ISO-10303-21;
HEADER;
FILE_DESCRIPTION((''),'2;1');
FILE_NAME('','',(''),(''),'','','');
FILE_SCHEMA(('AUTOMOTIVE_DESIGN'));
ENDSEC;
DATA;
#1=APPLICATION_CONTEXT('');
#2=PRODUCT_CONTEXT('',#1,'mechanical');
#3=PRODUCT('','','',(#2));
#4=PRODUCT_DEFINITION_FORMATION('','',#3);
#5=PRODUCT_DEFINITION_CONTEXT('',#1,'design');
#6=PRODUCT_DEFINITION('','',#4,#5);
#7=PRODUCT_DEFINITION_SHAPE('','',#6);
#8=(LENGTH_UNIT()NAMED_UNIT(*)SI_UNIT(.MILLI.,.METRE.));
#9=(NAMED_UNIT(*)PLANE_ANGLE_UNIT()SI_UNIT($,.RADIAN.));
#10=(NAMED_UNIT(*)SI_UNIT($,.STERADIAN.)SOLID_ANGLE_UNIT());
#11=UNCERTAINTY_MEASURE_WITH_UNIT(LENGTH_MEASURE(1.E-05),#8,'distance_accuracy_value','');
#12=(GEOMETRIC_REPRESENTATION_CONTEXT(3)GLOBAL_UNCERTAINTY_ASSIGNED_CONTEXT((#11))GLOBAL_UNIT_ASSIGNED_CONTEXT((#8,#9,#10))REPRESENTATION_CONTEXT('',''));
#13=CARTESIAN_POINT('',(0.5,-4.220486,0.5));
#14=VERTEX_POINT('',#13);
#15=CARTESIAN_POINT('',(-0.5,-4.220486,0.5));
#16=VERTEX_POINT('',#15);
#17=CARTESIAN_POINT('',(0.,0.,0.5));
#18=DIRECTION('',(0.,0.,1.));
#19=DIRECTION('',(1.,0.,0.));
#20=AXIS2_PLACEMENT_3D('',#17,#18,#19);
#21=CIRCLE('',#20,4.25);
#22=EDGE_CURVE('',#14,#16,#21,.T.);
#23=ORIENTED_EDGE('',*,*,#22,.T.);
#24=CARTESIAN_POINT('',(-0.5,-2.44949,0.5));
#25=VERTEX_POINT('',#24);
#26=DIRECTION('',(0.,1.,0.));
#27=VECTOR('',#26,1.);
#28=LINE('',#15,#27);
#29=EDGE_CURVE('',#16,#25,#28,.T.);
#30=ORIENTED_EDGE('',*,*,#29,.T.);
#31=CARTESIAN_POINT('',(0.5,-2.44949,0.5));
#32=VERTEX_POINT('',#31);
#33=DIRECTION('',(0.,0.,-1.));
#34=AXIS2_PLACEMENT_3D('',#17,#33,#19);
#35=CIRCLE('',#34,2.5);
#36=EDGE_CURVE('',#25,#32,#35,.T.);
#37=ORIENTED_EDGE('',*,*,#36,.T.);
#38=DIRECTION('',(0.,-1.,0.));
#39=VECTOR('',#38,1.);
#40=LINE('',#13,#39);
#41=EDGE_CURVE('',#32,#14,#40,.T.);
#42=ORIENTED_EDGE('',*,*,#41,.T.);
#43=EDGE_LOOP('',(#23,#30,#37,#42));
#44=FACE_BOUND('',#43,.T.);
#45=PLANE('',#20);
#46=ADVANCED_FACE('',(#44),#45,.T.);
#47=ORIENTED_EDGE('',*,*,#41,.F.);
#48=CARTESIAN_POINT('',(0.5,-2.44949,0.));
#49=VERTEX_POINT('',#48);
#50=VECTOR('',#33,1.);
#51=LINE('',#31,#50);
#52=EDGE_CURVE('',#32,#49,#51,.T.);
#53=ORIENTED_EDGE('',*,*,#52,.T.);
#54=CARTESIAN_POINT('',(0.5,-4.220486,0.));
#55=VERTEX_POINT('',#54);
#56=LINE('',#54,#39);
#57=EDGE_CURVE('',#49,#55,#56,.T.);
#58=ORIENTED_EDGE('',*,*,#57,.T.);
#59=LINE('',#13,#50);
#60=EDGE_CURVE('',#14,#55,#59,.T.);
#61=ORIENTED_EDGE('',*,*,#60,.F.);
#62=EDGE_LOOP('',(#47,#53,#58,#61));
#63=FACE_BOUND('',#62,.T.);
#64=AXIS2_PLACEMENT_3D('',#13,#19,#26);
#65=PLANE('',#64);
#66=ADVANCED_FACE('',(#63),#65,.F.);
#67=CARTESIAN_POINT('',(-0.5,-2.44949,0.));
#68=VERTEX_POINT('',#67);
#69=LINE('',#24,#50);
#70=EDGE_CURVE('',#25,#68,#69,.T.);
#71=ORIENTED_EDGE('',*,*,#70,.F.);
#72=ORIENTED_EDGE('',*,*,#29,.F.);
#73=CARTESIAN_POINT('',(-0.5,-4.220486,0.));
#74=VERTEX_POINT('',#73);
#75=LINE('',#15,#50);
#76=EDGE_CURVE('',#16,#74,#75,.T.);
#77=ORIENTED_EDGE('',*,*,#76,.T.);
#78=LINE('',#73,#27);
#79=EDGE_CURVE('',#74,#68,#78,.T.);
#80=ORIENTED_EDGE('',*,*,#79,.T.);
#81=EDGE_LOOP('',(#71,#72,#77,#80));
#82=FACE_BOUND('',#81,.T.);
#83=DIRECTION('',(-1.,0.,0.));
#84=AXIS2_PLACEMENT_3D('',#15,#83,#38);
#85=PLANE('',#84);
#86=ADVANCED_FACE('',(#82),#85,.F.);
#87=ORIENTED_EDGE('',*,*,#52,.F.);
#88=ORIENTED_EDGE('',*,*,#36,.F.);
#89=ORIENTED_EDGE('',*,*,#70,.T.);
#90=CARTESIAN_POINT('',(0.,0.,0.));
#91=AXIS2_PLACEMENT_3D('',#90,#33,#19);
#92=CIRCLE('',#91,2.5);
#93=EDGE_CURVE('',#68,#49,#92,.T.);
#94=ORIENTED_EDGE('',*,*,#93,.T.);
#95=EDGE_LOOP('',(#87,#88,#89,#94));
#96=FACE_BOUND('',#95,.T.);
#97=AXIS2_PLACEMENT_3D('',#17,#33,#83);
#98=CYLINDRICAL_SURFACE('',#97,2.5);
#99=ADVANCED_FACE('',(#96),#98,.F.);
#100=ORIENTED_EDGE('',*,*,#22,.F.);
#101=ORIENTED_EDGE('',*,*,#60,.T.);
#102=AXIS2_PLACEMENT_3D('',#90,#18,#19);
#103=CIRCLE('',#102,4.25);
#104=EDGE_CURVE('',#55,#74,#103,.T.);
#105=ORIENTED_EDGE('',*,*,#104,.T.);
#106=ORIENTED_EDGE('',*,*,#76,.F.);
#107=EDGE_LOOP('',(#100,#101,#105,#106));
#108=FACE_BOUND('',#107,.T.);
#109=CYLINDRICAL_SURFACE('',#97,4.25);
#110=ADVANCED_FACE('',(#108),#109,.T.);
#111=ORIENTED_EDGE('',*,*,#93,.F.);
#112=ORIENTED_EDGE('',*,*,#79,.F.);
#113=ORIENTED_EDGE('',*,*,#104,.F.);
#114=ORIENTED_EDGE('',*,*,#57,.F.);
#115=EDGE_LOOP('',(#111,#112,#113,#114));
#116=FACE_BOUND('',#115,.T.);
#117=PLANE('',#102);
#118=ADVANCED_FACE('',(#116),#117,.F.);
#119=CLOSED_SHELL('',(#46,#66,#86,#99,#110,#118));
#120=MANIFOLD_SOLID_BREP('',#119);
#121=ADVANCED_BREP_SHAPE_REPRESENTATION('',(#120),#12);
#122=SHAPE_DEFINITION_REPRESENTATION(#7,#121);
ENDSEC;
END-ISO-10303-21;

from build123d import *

# Parameters (mm, degrees)
BOSS_EXTRU_1_DEPTH = 0.5


with BuildPart() as part:
    # Esquisse2 → Boss.-Extru.1 (new body)
    with BuildSketch(Plane.XY):
        with BuildLine():
            Line((0.5, -4.220485754), (0.5, -2.449489743))
            ThreePointArc((0.5, -2.449489743), (0, 2.5), (-0.5, -2.449489743))
            Line((-0.5, -2.449489743), (-0.5, -4.220485754))
            ThreePointArc((-0.5, -4.220485754), (0, 4.25), (0.5, -4.220485754))
        make_face()
    extrude(amount=BOSS_EXTRU_1_DEPTH)


solid = part.part
